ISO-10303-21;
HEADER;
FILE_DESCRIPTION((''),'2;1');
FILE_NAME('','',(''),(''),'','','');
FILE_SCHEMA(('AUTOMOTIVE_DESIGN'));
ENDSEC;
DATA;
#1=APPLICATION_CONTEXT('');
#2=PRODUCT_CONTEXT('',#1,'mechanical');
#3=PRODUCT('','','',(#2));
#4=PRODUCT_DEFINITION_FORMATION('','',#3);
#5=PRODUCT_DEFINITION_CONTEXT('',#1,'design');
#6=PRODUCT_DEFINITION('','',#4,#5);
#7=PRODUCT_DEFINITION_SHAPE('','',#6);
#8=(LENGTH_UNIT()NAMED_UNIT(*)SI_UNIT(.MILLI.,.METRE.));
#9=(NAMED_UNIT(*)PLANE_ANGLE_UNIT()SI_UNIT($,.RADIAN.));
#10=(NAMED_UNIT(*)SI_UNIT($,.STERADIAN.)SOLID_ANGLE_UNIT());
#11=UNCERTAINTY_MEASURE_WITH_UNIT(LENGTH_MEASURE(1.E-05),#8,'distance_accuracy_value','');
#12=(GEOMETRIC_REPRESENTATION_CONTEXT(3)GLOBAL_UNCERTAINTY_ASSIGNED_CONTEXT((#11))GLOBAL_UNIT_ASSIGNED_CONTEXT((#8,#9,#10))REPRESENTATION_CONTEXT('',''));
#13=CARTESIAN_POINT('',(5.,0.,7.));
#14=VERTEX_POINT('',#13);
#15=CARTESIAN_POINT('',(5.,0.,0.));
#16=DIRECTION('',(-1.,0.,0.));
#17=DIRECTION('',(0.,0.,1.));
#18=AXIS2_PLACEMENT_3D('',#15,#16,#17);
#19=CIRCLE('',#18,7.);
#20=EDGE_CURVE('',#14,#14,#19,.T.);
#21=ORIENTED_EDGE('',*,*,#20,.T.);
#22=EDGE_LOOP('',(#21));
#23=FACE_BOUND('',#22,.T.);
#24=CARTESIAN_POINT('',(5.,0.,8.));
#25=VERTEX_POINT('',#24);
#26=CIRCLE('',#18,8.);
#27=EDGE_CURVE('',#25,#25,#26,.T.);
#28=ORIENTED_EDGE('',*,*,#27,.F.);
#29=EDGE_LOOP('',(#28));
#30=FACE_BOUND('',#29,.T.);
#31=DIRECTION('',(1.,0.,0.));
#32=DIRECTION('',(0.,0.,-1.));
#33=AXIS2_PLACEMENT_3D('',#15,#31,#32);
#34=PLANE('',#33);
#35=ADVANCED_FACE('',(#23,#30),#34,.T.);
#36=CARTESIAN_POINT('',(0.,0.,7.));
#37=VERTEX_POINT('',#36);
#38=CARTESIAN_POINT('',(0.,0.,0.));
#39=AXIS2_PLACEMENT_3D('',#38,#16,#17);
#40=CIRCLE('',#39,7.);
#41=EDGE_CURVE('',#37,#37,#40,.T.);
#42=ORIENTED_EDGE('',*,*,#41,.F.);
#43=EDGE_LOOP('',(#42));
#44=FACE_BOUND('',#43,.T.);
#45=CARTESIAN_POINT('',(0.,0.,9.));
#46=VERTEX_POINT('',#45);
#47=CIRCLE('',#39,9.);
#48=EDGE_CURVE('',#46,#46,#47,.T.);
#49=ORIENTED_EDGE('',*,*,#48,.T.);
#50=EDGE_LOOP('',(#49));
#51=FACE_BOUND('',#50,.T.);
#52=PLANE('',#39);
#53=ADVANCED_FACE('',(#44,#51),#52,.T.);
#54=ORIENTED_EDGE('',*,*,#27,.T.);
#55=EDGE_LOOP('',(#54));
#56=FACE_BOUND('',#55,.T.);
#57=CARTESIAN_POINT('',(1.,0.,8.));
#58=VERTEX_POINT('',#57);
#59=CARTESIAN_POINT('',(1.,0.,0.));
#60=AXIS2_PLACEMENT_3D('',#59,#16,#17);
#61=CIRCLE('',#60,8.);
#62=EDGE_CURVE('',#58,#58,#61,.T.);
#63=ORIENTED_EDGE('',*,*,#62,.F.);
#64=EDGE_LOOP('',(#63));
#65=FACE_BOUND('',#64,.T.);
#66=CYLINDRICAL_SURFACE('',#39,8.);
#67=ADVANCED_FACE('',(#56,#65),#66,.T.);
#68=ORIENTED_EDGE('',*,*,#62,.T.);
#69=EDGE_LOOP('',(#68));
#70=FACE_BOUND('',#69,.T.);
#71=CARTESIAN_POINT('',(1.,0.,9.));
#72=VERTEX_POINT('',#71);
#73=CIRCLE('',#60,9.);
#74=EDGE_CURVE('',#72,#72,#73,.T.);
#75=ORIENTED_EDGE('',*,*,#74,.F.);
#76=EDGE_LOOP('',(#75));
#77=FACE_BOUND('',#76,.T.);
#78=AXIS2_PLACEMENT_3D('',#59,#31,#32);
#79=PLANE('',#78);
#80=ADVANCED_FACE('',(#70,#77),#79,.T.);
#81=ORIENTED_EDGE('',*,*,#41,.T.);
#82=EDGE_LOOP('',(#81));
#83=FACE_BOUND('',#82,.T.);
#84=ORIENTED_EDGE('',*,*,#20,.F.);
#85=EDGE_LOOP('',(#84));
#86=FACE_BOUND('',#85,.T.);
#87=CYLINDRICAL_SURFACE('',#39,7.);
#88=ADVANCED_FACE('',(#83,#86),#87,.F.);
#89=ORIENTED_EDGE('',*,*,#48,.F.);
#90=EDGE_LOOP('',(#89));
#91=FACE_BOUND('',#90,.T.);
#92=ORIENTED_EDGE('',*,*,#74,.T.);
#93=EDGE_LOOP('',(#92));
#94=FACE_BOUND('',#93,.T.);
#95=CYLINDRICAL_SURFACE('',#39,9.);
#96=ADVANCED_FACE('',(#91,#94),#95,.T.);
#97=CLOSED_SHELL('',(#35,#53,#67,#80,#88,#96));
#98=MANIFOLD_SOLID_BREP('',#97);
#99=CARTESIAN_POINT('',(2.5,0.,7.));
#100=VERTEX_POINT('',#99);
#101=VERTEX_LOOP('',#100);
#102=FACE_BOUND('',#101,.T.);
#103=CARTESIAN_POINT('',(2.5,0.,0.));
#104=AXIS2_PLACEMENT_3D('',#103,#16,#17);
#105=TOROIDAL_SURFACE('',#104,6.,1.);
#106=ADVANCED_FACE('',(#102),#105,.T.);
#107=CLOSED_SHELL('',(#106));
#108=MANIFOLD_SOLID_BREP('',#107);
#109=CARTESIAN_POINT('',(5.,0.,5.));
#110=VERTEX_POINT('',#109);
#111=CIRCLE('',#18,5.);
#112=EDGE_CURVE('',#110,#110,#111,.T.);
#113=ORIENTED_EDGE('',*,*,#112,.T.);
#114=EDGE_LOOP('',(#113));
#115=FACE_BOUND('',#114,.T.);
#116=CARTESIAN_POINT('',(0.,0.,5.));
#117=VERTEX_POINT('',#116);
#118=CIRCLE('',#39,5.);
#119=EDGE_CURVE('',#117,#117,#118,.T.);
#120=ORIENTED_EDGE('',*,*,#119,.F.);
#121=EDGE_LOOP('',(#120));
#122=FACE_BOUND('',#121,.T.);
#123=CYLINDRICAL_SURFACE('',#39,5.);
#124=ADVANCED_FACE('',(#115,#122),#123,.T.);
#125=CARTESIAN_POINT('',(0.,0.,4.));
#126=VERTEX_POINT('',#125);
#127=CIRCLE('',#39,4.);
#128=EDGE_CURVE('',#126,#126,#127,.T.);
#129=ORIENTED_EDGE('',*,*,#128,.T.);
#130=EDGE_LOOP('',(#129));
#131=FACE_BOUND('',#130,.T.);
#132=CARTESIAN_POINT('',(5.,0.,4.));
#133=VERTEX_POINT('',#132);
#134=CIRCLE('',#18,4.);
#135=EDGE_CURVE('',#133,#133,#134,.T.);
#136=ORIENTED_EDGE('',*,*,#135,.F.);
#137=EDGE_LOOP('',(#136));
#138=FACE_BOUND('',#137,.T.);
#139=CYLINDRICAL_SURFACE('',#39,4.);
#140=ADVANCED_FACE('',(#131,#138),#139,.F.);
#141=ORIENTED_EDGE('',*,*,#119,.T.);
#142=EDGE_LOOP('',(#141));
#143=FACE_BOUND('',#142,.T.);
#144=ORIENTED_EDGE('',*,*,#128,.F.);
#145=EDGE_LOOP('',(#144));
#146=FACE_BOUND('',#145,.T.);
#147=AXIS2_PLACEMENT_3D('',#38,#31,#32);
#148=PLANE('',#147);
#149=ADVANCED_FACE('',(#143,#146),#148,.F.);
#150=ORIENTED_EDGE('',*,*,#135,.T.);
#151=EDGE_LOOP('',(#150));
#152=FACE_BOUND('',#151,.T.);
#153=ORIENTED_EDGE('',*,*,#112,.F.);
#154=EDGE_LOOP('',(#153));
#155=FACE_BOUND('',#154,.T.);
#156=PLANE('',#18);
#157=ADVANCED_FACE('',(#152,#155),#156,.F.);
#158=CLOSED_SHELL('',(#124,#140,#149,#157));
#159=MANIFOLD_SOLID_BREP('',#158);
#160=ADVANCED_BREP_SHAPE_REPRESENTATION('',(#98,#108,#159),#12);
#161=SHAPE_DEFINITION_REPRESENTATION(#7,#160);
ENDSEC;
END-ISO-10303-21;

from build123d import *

# Parameters (mm, degrees)
SKETCH1_R = 1
SKETCH1_W = 5
SKETCH1_H = 1


with BuildPart() as part:
    # Sketch1 → Revolve1 (revolve)
    with BuildSketch(Plane.XY, mode=Mode.PRIVATE) as revolve1_sk:
        Polygon((5, 8), (5, 7), (0, 7), (0, 9), (1, 9), (1, 8), align=None)
        with Locations((2.5, 6)):
            Circle(SKETCH1_R)
        with Locations((2.5, 4.5)):
            Rectangle(SKETCH1_W, SKETCH1_H)
    revolve(revolve1_sk.sketch.rotate(Axis((0, 0, 0), (1, 0, 0)), 90), axis=Axis((0, 0, 0), (1, 0, 0)))


solid = part.part
